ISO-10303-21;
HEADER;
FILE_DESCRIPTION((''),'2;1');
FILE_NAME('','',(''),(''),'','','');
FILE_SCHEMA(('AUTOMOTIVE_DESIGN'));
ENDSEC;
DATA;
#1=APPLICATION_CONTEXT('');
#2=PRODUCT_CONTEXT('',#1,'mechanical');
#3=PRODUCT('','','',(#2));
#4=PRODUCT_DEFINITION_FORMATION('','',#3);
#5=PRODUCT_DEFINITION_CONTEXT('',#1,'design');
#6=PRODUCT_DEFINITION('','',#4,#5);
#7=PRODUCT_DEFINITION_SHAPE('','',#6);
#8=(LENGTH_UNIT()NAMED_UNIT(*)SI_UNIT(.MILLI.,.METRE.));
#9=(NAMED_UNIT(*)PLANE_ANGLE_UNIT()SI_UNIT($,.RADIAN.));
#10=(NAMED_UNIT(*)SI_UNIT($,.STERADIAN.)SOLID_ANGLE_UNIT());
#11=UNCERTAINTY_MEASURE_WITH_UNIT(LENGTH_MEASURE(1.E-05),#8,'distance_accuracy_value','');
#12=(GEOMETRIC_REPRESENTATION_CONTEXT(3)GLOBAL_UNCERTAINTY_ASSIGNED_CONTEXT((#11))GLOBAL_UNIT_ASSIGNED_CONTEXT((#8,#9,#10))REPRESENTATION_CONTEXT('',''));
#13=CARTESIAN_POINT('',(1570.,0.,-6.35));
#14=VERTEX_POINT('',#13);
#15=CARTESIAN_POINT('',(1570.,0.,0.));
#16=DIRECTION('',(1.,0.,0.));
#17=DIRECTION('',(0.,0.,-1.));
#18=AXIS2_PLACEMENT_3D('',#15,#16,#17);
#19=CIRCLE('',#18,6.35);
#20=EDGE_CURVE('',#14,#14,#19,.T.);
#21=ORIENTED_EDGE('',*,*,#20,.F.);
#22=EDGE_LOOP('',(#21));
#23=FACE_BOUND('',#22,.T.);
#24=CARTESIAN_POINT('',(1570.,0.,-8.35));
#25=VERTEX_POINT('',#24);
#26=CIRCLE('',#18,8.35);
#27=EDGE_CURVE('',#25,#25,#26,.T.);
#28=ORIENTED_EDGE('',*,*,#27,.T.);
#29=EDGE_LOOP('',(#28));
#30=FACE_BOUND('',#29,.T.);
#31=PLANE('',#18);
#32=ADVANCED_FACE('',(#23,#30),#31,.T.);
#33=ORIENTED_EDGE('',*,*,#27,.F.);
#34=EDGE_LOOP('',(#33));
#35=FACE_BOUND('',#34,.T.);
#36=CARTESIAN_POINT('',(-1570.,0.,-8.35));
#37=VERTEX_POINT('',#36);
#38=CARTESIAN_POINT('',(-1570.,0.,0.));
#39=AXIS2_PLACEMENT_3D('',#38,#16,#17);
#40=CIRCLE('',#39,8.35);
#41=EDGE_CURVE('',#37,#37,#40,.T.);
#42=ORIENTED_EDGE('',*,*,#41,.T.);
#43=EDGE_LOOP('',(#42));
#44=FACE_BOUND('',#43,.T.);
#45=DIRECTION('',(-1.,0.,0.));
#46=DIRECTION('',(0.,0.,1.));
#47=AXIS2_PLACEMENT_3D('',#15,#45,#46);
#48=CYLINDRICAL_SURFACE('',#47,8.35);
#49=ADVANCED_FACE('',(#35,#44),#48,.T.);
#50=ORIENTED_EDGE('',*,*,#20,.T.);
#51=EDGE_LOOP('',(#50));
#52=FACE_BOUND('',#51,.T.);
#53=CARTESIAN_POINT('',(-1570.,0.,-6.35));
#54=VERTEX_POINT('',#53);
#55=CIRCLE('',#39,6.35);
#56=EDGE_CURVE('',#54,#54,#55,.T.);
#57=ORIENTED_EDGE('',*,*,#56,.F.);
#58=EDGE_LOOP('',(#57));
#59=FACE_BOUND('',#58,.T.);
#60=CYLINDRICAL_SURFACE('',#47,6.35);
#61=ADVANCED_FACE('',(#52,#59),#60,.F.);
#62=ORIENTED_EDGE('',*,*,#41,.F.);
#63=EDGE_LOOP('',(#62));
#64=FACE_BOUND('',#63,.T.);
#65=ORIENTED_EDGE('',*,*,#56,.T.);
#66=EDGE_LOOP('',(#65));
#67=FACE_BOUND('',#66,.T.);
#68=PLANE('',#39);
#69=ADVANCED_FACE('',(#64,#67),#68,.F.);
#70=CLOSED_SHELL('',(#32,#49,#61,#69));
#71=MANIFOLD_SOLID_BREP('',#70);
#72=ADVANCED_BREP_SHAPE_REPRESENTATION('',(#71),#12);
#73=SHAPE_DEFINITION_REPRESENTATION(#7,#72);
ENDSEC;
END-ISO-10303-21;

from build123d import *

# Parameters (mm, degrees)
CROQUIS1_R              = 8.35
CROQUIS1_R_2            = 6.35
SALIENTE_EXTRUIR1_DEPTH = 1570


with BuildPart() as part:
    # Croquis1 → Saliente-Extruir1 (new body, symmetric)
    with BuildSketch(Plane(origin=(0, 0, 0), x_dir=(0, 0, -1), z_dir=(1, 0, 0))):
        Circle(CROQUIS1_R)
        Circle(CROQUIS1_R_2, mode=Mode.SUBTRACT)
    extrude(amount=SALIENTE_EXTRUIR1_DEPTH, both=True)


solid = part.part
